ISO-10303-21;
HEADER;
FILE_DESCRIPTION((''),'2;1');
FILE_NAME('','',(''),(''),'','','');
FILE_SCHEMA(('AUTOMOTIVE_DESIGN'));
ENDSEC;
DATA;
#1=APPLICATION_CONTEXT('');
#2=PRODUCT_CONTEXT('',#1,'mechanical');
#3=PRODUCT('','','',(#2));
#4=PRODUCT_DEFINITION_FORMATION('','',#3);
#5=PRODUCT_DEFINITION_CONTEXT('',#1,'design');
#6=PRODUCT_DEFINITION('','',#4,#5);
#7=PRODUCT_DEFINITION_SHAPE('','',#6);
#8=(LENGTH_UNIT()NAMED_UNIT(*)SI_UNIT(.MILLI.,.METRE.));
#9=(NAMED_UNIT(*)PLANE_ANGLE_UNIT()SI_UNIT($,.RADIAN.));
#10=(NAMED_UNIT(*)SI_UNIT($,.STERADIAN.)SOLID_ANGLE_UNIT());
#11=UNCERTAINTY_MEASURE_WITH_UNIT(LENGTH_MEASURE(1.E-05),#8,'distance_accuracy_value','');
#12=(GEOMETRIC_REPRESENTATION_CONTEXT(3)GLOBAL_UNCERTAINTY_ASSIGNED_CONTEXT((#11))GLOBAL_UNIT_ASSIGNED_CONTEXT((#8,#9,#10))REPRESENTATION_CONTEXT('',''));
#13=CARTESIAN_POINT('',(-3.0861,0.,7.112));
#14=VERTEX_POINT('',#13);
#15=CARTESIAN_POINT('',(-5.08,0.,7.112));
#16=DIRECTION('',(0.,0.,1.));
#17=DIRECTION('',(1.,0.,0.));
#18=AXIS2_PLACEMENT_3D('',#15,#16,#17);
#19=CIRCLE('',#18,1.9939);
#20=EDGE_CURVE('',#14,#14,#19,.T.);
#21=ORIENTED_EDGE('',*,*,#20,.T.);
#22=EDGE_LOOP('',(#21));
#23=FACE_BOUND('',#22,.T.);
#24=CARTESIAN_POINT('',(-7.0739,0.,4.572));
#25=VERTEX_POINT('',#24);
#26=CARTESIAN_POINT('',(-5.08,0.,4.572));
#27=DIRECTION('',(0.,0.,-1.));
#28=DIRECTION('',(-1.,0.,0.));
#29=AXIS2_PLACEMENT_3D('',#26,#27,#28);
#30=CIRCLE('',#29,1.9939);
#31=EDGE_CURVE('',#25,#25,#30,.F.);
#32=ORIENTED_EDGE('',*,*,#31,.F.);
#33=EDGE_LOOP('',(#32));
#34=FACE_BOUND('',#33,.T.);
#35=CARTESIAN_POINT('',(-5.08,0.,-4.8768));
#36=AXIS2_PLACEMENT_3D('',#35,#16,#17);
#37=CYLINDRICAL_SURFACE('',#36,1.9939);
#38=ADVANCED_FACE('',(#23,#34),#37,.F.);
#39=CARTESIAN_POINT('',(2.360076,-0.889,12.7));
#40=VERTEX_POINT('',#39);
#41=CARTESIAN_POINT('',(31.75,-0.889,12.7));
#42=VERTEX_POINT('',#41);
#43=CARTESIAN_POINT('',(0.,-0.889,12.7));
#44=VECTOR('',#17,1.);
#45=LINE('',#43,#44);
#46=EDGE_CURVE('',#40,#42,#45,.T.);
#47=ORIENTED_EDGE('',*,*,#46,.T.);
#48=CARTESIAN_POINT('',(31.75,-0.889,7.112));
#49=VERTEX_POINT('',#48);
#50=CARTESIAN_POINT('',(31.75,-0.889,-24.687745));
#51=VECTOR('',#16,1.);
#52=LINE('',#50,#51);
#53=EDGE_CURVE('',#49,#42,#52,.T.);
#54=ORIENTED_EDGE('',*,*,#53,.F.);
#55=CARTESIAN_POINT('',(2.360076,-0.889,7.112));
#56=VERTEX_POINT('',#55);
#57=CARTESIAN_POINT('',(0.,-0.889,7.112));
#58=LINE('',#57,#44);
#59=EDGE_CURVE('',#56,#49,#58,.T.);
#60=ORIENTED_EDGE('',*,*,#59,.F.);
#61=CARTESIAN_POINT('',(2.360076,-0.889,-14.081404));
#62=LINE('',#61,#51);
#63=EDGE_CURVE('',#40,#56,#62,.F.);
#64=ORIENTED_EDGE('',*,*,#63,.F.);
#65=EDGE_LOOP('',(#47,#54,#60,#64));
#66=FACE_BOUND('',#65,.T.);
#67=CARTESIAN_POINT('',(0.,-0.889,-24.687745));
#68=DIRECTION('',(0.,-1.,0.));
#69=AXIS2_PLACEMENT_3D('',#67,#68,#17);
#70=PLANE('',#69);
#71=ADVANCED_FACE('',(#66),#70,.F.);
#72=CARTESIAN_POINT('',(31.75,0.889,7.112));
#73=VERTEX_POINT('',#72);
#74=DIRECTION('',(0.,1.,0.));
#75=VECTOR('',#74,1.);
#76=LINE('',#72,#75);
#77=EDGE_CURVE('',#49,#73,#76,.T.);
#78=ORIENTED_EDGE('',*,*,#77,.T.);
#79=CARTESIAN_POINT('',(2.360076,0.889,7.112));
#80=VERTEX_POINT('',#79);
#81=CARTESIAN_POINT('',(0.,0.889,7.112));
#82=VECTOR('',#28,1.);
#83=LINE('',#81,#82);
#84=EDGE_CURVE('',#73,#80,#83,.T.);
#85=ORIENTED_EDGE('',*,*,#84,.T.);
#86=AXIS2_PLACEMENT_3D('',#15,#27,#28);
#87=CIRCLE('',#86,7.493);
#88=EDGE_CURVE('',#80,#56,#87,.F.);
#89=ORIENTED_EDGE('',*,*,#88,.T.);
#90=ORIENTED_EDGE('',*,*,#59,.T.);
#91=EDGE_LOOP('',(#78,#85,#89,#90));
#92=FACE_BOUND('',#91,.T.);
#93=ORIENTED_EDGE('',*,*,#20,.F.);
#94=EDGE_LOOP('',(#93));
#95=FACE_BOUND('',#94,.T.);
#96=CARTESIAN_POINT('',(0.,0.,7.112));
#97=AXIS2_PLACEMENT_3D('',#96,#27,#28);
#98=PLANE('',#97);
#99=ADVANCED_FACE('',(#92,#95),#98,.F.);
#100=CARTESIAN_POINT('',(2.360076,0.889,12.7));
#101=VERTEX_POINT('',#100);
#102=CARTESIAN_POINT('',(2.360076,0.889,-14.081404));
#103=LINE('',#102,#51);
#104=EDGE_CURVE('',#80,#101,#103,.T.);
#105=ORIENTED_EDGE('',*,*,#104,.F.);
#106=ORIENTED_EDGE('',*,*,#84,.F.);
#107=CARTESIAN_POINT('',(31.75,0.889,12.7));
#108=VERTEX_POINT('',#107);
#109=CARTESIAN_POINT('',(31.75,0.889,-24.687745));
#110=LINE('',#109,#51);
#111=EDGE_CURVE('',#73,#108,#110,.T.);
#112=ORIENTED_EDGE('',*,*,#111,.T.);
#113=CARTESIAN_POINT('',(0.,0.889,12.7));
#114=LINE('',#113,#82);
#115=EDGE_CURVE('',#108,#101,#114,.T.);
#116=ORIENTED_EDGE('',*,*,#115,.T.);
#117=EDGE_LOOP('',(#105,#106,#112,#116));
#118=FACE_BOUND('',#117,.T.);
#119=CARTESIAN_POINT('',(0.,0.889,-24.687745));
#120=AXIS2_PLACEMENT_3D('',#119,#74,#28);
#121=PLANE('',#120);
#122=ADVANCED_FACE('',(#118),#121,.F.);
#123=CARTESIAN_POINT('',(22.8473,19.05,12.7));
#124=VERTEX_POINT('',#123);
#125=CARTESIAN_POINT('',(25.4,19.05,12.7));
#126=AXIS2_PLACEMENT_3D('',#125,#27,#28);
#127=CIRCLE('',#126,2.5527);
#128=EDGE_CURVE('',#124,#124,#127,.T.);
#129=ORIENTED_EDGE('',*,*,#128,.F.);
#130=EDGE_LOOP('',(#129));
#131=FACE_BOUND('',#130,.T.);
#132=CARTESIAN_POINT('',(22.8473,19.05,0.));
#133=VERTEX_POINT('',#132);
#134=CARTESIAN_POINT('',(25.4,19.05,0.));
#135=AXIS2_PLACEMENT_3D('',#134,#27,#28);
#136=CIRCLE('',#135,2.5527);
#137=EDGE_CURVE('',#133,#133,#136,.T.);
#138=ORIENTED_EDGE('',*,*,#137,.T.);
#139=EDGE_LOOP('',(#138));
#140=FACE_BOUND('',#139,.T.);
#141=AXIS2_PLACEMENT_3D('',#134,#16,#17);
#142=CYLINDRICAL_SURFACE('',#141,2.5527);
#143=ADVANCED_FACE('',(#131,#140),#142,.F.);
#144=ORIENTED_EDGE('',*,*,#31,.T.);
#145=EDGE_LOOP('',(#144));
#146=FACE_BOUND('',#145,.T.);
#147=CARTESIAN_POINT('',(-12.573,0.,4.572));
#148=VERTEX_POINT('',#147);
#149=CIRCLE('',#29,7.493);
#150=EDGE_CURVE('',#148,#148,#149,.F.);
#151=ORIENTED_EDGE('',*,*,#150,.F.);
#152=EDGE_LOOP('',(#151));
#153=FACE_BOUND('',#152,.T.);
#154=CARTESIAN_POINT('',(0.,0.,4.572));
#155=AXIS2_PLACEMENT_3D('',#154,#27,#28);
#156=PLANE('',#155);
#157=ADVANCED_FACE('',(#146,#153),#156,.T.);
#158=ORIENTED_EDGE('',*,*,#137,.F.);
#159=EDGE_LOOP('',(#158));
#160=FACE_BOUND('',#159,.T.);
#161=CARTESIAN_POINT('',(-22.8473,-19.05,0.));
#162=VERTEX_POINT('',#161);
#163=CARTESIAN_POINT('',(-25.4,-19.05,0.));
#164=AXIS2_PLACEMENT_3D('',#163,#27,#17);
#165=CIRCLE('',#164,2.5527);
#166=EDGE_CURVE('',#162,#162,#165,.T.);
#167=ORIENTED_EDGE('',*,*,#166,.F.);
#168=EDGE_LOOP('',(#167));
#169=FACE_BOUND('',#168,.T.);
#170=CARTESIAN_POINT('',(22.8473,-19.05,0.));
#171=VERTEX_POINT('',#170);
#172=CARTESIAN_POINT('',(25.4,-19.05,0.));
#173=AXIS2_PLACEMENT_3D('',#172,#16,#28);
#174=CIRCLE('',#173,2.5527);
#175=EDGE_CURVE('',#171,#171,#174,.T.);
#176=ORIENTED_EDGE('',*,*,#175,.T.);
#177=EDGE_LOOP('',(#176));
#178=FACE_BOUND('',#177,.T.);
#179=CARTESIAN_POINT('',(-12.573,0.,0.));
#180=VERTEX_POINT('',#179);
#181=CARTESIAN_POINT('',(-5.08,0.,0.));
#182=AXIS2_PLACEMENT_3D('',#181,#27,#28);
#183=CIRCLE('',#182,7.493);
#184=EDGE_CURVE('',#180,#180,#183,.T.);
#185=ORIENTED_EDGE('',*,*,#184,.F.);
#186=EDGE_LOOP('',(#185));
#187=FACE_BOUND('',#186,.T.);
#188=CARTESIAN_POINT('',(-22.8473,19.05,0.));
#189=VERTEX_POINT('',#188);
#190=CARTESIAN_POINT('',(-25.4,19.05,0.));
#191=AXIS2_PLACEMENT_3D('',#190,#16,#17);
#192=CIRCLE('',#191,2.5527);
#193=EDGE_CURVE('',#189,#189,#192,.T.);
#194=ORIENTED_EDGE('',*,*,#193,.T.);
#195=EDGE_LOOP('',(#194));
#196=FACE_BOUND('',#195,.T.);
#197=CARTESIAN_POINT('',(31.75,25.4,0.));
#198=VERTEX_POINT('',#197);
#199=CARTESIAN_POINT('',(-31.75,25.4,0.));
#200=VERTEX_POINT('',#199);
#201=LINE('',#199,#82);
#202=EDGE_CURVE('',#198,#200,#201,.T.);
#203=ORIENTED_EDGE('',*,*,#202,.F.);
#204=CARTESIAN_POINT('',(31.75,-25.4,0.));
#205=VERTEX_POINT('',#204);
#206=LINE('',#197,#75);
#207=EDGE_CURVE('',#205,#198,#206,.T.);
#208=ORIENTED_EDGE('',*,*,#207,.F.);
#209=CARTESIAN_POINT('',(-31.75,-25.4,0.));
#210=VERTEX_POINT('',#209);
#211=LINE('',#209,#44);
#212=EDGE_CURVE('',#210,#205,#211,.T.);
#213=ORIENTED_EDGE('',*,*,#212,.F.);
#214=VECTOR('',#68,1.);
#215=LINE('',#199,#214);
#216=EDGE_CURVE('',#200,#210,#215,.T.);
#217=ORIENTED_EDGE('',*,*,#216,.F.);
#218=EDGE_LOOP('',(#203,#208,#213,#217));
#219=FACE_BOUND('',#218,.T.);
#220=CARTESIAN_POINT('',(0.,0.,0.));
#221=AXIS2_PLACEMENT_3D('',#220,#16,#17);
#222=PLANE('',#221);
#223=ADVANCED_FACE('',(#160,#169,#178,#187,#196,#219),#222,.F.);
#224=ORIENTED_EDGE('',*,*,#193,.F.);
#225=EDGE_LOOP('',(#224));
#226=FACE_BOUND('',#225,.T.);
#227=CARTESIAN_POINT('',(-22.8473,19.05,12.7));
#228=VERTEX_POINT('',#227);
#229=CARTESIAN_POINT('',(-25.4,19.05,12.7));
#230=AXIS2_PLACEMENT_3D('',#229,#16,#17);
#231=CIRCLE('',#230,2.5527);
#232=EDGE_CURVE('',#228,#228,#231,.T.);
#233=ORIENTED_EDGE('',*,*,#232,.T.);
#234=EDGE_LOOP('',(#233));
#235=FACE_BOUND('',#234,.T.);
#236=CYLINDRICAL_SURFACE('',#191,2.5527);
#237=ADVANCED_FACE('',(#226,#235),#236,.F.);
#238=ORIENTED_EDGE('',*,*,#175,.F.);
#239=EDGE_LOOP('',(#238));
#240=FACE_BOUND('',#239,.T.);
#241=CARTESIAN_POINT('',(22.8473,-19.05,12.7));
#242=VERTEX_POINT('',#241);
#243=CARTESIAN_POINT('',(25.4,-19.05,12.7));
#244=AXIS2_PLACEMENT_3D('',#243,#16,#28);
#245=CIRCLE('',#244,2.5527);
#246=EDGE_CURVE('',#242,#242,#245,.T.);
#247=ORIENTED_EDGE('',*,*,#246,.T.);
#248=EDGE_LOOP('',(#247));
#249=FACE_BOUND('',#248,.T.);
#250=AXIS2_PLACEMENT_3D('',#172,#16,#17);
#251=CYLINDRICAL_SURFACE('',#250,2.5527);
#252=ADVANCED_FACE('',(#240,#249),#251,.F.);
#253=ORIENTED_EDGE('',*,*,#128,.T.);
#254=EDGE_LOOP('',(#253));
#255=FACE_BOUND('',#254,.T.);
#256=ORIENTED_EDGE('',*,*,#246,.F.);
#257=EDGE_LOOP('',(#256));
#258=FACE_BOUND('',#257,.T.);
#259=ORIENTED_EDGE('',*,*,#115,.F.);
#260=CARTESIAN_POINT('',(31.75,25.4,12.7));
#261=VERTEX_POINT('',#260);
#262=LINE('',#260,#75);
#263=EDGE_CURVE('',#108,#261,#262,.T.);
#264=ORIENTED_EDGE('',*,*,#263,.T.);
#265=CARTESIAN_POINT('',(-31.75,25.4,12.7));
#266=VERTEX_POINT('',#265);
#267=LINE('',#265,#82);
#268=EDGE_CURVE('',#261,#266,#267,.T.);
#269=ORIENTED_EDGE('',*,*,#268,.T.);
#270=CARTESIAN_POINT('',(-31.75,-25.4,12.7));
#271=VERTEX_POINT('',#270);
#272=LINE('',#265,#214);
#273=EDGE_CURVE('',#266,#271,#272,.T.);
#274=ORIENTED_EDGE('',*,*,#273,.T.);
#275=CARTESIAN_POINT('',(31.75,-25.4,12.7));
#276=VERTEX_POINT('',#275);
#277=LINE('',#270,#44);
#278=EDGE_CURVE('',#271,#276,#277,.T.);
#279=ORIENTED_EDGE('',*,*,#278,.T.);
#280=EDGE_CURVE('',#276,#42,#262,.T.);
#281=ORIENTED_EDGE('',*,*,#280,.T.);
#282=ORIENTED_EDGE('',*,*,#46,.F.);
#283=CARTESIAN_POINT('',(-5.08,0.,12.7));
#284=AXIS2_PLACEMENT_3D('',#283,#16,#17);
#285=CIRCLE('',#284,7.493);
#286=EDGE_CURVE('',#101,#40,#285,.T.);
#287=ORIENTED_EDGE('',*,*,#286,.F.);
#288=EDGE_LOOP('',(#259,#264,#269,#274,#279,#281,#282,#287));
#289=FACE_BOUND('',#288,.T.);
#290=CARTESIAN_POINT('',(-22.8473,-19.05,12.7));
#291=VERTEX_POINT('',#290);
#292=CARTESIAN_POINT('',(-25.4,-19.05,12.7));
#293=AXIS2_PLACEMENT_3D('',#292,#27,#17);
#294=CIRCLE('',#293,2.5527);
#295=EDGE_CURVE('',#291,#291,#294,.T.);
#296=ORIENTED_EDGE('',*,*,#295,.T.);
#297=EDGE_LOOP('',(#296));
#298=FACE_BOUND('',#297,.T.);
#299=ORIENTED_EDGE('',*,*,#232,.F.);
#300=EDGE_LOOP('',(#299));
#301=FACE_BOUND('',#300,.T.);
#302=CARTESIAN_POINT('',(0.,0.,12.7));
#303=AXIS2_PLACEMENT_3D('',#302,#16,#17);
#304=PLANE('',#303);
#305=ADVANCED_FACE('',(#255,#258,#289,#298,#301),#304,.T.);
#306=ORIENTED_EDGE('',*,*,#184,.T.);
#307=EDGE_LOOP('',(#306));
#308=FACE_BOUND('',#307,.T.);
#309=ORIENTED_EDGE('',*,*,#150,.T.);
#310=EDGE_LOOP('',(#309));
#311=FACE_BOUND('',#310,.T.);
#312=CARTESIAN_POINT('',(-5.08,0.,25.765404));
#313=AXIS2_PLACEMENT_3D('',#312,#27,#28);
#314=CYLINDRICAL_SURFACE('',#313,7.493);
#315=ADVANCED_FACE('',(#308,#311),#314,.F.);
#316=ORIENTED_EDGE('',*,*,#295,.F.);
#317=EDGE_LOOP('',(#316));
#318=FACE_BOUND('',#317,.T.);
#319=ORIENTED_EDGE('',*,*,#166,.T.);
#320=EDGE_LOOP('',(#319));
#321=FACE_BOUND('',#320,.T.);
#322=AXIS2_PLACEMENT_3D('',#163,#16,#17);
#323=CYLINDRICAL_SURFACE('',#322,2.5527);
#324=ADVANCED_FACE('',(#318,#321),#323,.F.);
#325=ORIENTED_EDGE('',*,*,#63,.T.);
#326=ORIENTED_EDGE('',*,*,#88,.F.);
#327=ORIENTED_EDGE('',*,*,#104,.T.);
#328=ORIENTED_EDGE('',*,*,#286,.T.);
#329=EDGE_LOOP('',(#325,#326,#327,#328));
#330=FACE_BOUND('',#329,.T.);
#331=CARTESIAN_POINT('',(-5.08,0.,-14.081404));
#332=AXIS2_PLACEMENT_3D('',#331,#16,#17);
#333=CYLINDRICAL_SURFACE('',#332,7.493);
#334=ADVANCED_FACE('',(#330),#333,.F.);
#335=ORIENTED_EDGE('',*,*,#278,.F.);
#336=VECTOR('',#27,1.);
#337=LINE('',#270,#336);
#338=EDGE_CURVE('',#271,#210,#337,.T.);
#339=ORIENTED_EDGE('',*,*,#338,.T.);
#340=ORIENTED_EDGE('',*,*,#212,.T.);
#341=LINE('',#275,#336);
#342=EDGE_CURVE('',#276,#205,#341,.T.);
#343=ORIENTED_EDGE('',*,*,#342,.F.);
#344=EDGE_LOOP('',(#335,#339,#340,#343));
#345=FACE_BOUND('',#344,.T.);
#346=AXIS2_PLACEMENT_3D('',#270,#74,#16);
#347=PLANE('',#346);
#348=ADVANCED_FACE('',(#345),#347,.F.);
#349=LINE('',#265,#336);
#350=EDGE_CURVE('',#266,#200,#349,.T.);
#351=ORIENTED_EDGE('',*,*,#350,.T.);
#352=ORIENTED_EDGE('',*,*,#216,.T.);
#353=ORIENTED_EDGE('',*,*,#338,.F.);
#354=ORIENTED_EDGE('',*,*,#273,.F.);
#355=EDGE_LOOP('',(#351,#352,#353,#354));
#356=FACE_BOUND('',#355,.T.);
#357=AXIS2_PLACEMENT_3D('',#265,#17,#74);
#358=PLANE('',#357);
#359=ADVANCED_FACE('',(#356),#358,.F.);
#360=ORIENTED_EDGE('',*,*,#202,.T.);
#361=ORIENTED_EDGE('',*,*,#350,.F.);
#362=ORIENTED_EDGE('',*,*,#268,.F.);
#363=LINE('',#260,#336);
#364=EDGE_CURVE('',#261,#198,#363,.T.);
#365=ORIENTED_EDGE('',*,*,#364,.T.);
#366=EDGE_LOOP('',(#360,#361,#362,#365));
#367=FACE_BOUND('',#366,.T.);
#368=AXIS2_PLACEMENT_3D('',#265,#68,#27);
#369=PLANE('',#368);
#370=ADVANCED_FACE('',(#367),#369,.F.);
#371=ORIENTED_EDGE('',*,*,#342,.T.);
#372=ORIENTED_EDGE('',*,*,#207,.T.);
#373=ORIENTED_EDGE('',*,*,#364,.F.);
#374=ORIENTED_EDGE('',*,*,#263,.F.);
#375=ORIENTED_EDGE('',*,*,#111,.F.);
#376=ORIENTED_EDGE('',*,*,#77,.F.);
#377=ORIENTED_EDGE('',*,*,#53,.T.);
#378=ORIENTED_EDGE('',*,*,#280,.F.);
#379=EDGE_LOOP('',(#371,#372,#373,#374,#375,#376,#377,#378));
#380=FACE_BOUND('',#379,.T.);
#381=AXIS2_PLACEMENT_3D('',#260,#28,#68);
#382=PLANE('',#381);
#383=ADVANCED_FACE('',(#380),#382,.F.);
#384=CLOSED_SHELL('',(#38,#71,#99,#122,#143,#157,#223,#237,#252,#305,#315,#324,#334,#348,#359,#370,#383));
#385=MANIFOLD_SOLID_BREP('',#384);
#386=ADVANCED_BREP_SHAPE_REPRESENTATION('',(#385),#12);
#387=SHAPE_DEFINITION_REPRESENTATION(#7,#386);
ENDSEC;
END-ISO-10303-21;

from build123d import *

# Parameters (mm, degrees)
SKETCH1_W               = 63.5
SKETCH1_H               = 50.8
BOSS_EXTRUDE1_DEPTH     = 12.7
CUT_EXTRUDE1_START      = -5.588
SKETCH2_R               = 7.493
CUT_EXTRUDE1_DEPTH      = 5.588
CUT_EXTRUDE2_START      = -5.588
SKETCH3_W               = 31.75
SKETCH3_H               = 1.778
CUT_EXTRUDE2_DEPTH      = 5.588
SKETCH9_R               = 1.9939
CUT_EXTRUDE3_DEPTH      = 11.9888
CUT_EXTRUDE4_START      = -4.572
SKETCH10_R              = 7.493
CUT_EXTRUDE4_DEPTH      = 4.572
SKETCH11_R              = 2.5527
CUT_EXTRUDE5_DEPTH      = 13.7
MIRROR2_COPY_1_SKETCH_R = 2.5527
MIRROR2_COPY_1_DEPTH    = 13.7


with BuildPart() as part:
    # Sketch1 → Boss-Extrude1 (new body)
    with BuildSketch(Plane.XY):
        Rectangle(SKETCH1_W, SKETCH1_H)
    extrude(amount=BOSS_EXTRUDE1_DEPTH)

    # Sketch2 → Cut-Extrude1 (cut)
    with BuildSketch(Plane.XY.offset(12.7).offset(CUT_EXTRUDE1_START)):
        with Locations((-5.08, 0)):
            Circle(SKETCH2_R)
    extrude(amount=CUT_EXTRUDE1_DEPTH, mode=Mode.SUBTRACT)

    # Sketch3 → Cut-Extrude2 (cut)
    with BuildSketch(Plane.XY.offset(12.7).offset(CUT_EXTRUDE2_START)):
        with Locations((15.875, 0)):
            Rectangle(SKETCH3_W, SKETCH3_H)
    extrude(amount=CUT_EXTRUDE2_DEPTH, mode=Mode.SUBTRACT)

    # Sketch9 → Cut-Extrude3 (cut)
    with BuildSketch(Plane.XY.offset(7.112)):
        with Locations((-5.08, 0)):
            Circle(SKETCH9_R)
    extrude(amount=-CUT_EXTRUDE3_DEPTH, mode=Mode.SUBTRACT)

    # Sketch10 → Cut-Extrude4 (cut)
    with BuildSketch(Plane(origin=(0, 0, 0), x_dir=(-1, 0, 0), z_dir=(0, 0, -1)).offset(CUT_EXTRUDE4_START)):
        with Locations((5.08, 0)):
            Circle(SKETCH10_R)
    extrude(amount=CUT_EXTRUDE4_DEPTH, mode=Mode.SUBTRACT)

    # Sketch11 → Cut-Extrude5 (cut, through all)
    with BuildSketch(Plane.XY.offset(12.7)):
        with Locations((-25.4, 19.05)):
            Circle(SKETCH11_R)
    cut_extrude5 = extrude(amount=-CUT_EXTRUDE5_DEPTH, mode=Mode.SUBTRACT)

    # Mirror1: Cut-Extrude5 across plane
    add(cut_extrude5.mirror(Plane(origin=(0, 0, 0), x_dir=(0, 0, 1), z_dir=(1, 0, 0))), mode=Mode.SUBTRACT)

    # Mirror2: Cut-Extrude5 across plane
    add(cut_extrude5.mirror(Plane.ZX), mode=Mode.SUBTRACT)

    # Mirror2 copy 1 sketch → Mirror2 copy 1 (cut, through all)
    with BuildSketch(Plane(origin=(0, 0, 12.7), x_dir=(-1, 0, 0), z_dir=(0, 0, 1))):
        with Locations((-25.4, 19.05)):
            Circle(MIRROR2_COPY_1_SKETCH_R)
    extrude(amount=-MIRROR2_COPY_1_DEPTH, mode=Mode.SUBTRACT)


solid = part.part
